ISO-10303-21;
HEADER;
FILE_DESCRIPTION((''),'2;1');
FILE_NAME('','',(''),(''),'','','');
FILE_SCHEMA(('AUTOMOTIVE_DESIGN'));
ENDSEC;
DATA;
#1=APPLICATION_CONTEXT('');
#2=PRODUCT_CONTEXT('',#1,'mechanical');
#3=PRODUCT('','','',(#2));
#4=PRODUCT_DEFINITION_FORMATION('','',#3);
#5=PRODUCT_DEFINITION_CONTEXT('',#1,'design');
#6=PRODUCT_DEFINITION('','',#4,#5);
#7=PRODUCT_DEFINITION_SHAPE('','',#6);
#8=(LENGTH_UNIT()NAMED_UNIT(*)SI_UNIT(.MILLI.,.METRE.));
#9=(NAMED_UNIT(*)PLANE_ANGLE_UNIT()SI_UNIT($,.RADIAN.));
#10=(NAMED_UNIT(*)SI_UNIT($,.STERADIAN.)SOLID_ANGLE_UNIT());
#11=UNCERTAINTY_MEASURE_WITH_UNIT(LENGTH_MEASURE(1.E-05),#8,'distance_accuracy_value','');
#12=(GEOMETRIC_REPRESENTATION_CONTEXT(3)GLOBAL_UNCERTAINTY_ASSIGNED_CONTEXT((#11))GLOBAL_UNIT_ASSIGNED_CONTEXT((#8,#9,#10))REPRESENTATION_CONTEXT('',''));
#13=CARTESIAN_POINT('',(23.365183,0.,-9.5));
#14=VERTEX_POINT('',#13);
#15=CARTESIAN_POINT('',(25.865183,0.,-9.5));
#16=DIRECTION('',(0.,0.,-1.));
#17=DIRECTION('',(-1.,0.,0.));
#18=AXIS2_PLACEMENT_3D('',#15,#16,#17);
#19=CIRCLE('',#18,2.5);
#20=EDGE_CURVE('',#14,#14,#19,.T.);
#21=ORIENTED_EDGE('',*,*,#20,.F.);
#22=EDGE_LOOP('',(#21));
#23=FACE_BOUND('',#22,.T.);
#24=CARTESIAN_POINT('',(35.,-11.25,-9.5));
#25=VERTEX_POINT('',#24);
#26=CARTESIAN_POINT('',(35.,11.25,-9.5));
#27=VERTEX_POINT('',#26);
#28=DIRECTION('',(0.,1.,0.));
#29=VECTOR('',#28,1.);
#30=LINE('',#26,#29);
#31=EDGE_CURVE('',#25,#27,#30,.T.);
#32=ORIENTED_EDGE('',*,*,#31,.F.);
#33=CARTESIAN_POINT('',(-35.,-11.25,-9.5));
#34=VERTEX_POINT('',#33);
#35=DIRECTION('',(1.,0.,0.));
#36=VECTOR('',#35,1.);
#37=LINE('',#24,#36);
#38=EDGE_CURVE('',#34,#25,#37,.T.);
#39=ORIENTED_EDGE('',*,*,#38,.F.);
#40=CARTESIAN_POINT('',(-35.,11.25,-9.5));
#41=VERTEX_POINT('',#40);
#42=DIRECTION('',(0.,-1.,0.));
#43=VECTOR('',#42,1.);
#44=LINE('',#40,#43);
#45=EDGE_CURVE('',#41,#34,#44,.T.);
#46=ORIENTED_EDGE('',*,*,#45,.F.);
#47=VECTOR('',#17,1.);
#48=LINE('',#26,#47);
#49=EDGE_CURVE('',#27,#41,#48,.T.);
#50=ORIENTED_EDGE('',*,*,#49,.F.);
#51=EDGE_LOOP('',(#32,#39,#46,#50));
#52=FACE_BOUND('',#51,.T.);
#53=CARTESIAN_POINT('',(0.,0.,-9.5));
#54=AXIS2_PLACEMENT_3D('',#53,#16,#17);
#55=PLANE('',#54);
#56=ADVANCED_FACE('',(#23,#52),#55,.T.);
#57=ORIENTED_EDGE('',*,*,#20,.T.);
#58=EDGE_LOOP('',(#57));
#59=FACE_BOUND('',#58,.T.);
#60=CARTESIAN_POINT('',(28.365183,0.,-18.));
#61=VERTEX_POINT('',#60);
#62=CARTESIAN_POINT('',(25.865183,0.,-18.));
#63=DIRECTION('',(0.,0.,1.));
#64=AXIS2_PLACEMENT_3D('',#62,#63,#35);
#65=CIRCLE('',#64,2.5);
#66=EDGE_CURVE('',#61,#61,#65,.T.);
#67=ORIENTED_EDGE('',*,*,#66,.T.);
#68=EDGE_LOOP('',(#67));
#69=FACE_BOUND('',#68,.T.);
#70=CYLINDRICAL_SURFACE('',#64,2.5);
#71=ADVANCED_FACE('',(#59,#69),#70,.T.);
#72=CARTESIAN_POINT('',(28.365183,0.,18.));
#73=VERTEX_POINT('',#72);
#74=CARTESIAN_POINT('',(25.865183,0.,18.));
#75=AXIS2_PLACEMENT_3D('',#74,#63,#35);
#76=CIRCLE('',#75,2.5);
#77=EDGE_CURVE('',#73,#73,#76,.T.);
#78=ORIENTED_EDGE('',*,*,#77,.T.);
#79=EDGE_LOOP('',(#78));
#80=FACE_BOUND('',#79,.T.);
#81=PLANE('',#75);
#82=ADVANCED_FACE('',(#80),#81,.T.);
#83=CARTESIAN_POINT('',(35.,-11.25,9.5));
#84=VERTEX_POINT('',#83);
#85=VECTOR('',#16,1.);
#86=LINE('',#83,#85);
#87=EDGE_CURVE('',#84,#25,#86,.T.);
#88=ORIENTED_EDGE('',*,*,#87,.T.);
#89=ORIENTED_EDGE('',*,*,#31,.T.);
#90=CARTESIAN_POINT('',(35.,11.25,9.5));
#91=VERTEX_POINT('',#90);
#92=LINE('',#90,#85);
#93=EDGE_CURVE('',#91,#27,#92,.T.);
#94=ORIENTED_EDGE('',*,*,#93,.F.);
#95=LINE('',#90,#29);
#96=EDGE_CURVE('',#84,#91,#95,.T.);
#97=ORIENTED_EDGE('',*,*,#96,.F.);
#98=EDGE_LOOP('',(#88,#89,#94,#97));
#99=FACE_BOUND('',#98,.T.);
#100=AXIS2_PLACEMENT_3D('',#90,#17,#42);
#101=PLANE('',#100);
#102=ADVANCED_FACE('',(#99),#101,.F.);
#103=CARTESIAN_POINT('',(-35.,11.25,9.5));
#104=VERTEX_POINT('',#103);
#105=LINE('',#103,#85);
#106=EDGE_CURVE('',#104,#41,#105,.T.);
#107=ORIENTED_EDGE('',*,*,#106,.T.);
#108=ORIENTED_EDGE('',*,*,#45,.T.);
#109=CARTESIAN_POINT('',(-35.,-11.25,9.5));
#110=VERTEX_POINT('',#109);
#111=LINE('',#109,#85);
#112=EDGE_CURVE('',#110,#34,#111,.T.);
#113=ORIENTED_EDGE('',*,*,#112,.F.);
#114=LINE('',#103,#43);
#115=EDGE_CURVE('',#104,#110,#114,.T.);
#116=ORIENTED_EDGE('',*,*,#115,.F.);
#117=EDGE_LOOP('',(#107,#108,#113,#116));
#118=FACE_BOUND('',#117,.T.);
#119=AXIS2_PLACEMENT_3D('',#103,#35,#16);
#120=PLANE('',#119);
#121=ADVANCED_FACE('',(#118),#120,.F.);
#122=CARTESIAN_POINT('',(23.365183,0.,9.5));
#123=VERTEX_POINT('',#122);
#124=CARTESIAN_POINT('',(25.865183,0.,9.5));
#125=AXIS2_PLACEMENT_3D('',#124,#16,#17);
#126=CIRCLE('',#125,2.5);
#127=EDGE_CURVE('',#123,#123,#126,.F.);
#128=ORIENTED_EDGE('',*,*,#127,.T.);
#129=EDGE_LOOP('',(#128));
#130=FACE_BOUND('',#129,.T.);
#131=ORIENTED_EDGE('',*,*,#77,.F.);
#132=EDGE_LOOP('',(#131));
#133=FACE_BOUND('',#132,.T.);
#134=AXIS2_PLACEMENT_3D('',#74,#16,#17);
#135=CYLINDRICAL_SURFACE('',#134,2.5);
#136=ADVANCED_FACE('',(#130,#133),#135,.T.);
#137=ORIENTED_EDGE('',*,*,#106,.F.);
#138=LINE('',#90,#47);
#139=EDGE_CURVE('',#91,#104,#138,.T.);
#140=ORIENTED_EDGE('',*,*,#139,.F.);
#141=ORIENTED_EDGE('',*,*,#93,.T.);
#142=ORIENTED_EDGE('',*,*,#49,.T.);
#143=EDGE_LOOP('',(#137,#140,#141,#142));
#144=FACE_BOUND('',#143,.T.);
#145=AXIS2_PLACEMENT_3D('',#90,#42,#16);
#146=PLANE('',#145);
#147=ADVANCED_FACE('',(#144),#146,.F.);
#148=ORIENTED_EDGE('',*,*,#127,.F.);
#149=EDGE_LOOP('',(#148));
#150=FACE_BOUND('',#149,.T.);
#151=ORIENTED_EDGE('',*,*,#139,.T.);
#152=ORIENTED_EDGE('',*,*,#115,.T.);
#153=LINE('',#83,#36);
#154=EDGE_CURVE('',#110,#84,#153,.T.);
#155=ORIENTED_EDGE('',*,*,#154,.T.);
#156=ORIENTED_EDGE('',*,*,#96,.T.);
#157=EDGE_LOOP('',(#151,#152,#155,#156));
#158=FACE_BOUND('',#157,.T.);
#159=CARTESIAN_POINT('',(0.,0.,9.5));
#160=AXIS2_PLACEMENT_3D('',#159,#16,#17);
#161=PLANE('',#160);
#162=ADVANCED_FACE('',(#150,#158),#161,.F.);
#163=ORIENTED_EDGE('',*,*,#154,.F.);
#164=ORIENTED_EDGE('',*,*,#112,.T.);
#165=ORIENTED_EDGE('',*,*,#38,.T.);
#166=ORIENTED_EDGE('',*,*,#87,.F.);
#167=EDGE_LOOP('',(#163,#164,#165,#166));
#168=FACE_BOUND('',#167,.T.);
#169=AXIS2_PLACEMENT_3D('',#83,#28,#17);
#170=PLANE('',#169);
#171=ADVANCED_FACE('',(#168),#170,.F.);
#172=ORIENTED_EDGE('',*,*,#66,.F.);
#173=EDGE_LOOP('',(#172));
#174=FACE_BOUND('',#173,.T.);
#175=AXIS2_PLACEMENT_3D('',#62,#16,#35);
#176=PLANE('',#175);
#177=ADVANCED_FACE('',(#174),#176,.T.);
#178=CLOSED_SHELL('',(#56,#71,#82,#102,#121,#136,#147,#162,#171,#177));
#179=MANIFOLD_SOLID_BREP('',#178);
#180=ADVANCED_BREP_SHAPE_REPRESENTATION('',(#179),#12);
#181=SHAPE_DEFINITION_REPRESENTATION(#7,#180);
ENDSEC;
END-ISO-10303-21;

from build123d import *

# Parameters (mm, degrees)
SKETCH_1_W      = 70
SKETCH_1_H      = 22.5
EXTRUDE_1_DEPTH = 9.5
SKETCH_2_R      = 2.5
EXTRUDE_2_DEPTH = 8.5


with BuildPart() as part:
    # 草图1 → 凸台-拉伸1 (new, symmetric)
    with BuildSketch(Plane.XY):
        Rectangle(SKETCH_1_W, SKETCH_1_H)
    extrude(amount=EXTRUDE_1_DEPTH, both=True)

    # 草图2 → 凸台-拉伸2 (add)
    with BuildSketch(Plane.XY.offset(9.5)):
        with Locations(Location((25.865182866, 0, 0), (0, 0, 180))):
            Circle(SKETCH_2_R)
    extrude_2 = extrude(amount=EXTRUDE_2_DEPTH)

    # 镜向1: 凸台-拉伸2 across plane
    add(extrude_2.mirror(Plane.XY))


solid = part.part
